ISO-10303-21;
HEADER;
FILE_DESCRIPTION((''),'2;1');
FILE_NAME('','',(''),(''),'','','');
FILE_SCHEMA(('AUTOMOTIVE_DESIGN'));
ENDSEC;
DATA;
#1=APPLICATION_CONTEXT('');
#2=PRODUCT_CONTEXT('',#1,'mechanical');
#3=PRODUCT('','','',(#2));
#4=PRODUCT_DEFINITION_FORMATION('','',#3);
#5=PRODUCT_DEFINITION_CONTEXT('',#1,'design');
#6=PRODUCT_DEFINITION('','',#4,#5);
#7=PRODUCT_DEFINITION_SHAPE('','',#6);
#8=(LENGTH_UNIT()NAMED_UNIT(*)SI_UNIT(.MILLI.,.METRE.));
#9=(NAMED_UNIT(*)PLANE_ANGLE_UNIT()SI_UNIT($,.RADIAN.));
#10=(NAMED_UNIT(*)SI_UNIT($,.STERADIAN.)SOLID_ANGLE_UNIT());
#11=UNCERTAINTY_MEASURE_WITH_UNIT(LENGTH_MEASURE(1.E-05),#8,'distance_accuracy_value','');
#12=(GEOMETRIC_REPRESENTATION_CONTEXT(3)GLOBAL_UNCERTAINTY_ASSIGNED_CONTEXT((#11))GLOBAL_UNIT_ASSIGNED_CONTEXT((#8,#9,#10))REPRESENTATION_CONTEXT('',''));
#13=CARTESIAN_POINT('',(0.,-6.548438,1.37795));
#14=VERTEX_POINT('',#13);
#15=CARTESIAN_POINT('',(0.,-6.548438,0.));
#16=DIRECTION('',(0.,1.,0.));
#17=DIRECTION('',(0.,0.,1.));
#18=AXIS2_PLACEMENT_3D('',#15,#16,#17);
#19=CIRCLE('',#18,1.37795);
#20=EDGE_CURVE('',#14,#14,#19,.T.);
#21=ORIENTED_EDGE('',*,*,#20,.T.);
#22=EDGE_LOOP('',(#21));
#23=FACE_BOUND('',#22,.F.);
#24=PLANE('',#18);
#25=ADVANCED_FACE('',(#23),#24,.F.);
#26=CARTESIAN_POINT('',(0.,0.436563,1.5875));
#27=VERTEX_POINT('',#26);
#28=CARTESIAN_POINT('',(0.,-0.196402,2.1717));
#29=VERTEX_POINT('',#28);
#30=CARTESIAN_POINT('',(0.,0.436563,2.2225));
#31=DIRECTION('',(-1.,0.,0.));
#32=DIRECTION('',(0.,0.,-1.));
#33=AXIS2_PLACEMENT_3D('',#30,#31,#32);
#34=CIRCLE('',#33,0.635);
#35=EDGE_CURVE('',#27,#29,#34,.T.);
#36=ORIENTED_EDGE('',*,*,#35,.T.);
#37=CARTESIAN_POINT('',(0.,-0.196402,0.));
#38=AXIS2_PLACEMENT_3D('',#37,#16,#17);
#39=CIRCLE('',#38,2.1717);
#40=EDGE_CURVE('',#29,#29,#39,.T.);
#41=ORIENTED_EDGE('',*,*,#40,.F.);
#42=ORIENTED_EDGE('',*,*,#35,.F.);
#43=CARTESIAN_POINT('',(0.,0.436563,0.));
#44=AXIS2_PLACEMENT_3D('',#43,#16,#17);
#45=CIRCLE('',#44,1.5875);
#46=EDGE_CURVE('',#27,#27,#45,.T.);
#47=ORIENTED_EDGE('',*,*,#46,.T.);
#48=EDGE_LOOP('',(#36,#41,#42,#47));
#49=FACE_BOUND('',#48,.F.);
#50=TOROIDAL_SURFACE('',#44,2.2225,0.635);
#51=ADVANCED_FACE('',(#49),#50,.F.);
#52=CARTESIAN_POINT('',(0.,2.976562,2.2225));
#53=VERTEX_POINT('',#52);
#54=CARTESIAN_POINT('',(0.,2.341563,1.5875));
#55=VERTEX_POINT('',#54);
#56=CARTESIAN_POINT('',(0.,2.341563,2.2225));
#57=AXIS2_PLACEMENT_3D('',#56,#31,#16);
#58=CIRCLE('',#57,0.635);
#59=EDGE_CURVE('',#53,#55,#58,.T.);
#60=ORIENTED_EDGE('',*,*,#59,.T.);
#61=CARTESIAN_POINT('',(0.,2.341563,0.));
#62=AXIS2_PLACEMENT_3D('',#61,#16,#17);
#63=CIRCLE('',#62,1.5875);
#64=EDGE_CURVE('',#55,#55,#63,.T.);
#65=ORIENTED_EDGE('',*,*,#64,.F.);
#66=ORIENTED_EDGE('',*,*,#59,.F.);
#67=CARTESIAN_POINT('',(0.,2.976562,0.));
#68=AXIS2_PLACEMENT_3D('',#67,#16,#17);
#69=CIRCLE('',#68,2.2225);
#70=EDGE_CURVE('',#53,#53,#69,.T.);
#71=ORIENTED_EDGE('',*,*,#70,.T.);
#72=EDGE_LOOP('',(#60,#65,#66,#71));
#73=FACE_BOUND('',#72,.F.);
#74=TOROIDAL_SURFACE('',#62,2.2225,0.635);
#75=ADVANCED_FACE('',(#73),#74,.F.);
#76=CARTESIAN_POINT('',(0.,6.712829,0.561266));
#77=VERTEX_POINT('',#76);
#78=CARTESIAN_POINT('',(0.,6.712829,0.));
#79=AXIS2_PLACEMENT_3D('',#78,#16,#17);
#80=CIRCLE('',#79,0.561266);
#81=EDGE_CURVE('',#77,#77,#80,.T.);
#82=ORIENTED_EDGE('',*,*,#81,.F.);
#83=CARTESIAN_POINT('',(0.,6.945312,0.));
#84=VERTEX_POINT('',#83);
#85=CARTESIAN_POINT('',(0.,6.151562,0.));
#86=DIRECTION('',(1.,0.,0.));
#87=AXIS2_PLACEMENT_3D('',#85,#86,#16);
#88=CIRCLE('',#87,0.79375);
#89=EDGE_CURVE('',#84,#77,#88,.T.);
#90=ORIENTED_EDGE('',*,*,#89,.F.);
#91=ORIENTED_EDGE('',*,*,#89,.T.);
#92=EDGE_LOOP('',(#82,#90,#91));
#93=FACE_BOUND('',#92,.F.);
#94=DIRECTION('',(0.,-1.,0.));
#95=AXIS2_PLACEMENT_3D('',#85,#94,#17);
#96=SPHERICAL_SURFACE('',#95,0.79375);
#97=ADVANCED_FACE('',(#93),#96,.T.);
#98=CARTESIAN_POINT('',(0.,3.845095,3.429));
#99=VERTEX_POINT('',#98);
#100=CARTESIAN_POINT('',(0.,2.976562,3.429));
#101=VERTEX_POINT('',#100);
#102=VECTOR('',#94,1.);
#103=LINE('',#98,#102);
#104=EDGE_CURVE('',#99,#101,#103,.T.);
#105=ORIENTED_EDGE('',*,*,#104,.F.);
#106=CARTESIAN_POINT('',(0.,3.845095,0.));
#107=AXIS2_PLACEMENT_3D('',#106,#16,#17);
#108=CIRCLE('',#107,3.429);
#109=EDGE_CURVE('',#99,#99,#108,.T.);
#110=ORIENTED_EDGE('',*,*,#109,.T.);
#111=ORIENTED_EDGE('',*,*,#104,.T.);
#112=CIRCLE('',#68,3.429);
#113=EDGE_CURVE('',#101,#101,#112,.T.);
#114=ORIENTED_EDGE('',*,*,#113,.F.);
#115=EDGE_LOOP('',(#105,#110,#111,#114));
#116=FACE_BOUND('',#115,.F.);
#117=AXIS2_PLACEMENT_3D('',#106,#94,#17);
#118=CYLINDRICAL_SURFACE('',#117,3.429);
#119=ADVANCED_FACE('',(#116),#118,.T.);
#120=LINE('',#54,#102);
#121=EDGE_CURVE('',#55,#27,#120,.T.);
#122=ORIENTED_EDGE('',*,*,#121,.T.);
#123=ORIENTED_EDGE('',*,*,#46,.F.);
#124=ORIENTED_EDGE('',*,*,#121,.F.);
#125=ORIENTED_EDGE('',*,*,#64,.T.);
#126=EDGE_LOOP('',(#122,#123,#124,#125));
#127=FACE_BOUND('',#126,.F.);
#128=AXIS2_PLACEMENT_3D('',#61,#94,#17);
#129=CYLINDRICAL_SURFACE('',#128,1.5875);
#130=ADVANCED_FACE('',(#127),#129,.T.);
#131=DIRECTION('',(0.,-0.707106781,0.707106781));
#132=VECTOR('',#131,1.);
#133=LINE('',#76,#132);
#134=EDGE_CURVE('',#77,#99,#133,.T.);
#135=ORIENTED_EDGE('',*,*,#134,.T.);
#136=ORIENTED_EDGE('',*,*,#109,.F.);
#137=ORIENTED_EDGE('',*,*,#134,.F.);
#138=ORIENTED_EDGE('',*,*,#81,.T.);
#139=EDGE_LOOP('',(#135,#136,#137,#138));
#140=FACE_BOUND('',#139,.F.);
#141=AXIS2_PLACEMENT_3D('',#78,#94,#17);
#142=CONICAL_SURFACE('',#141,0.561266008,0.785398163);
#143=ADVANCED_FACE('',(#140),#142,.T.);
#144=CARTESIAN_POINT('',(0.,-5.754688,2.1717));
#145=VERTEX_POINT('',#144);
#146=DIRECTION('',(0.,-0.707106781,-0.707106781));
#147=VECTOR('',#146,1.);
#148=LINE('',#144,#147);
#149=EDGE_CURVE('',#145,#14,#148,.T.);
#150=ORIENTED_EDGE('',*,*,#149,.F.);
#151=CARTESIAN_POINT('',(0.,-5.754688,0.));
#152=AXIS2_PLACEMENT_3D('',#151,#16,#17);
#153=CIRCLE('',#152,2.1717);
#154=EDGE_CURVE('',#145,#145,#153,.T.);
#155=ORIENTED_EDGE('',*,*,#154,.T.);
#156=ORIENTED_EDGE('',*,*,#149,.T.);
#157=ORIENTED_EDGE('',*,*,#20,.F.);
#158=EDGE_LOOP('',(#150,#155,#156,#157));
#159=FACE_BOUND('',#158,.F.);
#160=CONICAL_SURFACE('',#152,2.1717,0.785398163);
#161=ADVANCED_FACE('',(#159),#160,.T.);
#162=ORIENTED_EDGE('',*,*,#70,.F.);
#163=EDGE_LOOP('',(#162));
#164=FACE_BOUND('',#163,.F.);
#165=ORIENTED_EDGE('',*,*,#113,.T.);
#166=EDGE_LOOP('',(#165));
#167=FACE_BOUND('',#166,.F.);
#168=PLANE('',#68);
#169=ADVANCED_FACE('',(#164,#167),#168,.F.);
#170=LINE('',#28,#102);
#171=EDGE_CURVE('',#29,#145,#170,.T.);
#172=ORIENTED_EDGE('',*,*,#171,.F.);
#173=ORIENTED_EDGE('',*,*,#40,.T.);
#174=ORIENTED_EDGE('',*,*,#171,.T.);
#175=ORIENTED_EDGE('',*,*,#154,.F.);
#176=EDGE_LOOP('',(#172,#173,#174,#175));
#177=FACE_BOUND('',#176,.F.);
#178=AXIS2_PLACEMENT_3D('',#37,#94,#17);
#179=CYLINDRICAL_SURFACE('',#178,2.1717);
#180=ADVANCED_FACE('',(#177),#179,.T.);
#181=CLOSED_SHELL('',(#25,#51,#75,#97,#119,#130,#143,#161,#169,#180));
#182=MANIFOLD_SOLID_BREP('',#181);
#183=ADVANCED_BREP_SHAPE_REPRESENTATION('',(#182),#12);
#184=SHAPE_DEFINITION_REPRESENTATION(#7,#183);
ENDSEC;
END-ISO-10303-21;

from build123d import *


with BuildPart() as f1:
    # F0 (on Right) → F1 (revolve)
    with BuildSketch(Plane.YZ):
        with BuildLine():
            Line((3.8450945151, 3.429), (2.9765625, 3.429))
            Line((2.9765625, 3.429), (2.9765625, 2.2225))
            ThreePointArc((2.9765625, 2.2225), (2.7905753061, 1.7734871939), (2.3415625, 1.5875))
            Line((2.3415625, 1.5875), (0.4365625, 1.5875))
            ThreePointArc((0.4365625, 1.5875), (0.0058845461, 1.755872204), (-0.1964022384, 2.1717))
            Line((-0.1964022384, 2.1717), (-5.7546875, 2.1717))
            Line((-5.7546875, 2.1717), (-6.5484375, 1.37795))
            Line((-6.5484375, 1.37795), (-6.5484375, 0))
            Line((-6.5484375, 0), (6.5484375, 0))
            Line((6.5484375, 0), (6.9453125, 0))
            ThreePointArc((6.9453125, 0), (6.8848918789, 0.3037549744), (6.7128285076, 0.5612660076))
            Line((6.7128285076, 0.5612660076), (3.8450945151, 3.429))
        make_face()
    revolve(axis=Axis((0, 0.1984375, 0), (0, 1, 0)))


solid = f1.part
